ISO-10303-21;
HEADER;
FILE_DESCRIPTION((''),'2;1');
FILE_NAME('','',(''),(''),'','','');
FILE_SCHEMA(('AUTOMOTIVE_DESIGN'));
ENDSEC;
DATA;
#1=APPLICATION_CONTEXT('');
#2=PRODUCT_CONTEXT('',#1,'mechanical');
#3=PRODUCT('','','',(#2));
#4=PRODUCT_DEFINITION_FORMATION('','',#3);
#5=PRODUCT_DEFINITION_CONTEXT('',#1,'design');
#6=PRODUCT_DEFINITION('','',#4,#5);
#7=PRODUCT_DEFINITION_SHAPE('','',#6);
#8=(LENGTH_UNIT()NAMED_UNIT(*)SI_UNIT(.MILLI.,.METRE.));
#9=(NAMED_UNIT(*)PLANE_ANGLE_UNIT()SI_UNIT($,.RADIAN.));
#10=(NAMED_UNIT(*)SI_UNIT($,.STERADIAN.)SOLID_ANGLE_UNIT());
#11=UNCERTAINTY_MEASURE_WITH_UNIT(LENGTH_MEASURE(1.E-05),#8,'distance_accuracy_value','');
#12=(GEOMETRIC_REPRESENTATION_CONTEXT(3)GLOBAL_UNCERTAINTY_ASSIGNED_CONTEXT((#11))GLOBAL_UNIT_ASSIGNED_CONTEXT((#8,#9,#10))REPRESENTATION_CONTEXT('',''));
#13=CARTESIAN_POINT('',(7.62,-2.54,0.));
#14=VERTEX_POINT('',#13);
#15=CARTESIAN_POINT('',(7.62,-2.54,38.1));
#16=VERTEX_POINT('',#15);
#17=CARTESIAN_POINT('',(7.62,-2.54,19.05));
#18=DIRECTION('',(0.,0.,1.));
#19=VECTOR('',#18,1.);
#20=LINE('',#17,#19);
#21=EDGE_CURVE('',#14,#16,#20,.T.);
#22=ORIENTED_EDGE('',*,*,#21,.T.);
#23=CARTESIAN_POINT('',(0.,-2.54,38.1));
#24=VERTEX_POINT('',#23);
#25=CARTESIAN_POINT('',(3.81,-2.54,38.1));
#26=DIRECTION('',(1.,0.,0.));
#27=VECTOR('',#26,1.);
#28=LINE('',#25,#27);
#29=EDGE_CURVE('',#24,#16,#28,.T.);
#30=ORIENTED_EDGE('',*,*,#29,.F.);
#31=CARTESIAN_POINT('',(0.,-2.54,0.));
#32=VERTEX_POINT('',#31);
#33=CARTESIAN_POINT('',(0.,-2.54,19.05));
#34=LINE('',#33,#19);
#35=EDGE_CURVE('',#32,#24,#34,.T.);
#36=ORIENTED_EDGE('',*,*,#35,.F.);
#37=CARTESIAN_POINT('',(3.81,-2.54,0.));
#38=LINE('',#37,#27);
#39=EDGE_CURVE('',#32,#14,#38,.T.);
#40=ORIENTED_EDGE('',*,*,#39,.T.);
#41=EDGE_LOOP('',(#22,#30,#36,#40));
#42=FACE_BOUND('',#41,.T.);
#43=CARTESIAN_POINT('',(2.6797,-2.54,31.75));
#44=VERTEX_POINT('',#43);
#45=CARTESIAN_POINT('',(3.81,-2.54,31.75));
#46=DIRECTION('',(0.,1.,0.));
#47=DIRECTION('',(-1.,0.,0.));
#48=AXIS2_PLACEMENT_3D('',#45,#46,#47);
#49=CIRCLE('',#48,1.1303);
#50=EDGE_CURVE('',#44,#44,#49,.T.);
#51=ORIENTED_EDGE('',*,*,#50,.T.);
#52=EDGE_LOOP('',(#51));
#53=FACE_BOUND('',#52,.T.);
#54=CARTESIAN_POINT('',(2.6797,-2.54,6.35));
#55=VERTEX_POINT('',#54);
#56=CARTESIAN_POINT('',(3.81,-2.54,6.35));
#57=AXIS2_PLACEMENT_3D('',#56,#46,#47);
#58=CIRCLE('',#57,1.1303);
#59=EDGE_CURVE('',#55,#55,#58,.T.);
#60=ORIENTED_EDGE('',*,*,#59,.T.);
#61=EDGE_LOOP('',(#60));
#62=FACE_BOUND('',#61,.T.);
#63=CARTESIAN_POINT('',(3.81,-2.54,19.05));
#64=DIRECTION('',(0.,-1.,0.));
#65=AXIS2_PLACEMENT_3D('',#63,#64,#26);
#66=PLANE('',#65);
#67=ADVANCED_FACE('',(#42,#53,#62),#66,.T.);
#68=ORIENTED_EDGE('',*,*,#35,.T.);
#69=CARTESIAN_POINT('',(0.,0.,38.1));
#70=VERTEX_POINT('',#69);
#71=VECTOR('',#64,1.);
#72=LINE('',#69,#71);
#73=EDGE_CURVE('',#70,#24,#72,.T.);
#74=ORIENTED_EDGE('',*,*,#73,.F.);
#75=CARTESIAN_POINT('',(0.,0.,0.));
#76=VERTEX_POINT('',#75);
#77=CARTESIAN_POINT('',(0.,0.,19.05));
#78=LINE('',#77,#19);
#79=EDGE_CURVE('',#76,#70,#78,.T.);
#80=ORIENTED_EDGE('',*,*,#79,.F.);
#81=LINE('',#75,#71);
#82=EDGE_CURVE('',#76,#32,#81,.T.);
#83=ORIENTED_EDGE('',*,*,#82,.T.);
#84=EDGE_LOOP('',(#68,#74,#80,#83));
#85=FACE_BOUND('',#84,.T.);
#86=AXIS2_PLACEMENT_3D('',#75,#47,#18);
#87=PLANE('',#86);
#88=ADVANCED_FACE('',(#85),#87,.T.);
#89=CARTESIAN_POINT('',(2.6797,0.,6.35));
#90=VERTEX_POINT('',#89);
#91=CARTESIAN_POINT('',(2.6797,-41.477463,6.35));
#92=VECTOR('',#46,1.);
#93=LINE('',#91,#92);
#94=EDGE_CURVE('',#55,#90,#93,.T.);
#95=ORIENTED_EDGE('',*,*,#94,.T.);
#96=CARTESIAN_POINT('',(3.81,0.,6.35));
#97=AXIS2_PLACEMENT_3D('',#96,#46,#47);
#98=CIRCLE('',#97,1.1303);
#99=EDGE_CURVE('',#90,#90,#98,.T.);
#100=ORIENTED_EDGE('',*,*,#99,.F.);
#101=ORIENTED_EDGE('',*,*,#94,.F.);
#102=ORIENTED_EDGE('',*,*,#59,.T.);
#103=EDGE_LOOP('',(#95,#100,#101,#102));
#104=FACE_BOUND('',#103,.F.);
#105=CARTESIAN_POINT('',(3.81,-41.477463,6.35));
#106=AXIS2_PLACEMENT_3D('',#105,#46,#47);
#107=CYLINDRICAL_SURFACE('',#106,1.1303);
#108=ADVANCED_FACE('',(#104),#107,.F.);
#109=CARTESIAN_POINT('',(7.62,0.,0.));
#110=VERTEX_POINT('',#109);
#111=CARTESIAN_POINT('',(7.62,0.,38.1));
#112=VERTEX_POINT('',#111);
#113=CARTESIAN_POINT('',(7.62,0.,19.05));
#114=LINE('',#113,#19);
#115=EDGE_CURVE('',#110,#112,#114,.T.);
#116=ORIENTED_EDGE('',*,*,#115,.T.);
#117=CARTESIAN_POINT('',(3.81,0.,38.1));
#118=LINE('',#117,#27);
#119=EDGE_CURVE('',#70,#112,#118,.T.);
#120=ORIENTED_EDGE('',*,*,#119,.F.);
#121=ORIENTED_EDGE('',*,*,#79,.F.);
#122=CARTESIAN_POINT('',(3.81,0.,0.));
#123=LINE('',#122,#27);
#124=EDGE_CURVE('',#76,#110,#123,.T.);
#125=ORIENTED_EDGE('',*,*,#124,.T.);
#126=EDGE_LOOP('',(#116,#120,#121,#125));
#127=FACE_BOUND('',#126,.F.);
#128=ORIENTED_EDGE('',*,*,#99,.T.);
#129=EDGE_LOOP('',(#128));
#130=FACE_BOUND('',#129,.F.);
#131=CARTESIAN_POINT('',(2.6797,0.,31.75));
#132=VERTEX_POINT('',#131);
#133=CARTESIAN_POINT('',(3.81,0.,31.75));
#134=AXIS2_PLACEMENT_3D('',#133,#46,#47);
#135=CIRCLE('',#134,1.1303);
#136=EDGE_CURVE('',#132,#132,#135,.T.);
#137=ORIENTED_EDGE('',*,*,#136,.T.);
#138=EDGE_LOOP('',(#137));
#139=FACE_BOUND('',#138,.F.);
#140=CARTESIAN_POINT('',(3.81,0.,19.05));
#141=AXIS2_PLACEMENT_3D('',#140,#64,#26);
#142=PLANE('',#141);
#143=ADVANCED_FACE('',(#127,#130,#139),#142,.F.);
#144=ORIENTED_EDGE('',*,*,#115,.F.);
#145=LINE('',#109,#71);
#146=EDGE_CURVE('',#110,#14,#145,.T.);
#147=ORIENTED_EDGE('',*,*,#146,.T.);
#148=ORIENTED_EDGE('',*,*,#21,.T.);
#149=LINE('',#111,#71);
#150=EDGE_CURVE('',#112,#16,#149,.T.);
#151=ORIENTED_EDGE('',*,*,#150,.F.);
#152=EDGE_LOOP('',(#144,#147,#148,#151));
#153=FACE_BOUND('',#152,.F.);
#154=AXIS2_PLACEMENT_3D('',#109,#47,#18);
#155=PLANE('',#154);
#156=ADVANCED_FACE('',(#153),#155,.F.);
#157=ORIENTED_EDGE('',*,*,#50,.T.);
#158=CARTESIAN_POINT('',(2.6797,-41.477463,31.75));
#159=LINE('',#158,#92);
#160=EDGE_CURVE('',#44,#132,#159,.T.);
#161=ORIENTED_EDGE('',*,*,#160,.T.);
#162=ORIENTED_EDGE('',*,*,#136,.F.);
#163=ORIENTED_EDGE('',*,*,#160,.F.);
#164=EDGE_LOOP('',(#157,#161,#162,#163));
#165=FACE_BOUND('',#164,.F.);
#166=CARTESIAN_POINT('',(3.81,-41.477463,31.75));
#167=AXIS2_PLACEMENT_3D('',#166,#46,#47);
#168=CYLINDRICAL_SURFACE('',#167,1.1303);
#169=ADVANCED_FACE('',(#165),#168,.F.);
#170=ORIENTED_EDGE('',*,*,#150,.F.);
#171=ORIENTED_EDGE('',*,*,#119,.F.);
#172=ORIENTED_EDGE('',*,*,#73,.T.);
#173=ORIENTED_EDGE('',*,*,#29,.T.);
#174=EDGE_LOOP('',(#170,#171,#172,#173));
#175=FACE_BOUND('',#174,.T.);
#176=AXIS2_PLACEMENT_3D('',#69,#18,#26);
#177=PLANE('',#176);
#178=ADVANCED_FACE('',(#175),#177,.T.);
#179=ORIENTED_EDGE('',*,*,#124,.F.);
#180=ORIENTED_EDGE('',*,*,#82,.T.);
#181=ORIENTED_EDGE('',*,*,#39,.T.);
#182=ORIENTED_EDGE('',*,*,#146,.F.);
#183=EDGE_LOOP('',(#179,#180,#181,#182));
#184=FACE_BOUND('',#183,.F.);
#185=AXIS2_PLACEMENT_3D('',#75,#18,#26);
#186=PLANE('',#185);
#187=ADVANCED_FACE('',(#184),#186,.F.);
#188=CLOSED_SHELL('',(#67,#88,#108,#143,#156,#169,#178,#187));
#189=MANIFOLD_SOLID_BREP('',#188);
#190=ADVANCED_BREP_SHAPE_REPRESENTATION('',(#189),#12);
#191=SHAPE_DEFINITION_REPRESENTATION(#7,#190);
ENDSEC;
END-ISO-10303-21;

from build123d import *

# Parameters (mm, degrees)
F0_W     = 7.62
F0_H     = 38.1
F1_DEPTH = 2.54
F3_D     = 2.2606


with BuildPart() as f1:
    # F0 (on Front) → F1 (new body)
    with BuildSketch(Plane.XZ):
        with Locations((3.81, 19.05)):
            Rectangle(F0_W, F0_H)
    extrude(amount=F1_DEPTH)

    # F3 (through all)
    with Locations(Plane.XZ.offset(2.54)):
        with Locations((3.81, 31.75), (3.81, 6.35)):
            Hole(F3_D / 2)


solid = f1.part
